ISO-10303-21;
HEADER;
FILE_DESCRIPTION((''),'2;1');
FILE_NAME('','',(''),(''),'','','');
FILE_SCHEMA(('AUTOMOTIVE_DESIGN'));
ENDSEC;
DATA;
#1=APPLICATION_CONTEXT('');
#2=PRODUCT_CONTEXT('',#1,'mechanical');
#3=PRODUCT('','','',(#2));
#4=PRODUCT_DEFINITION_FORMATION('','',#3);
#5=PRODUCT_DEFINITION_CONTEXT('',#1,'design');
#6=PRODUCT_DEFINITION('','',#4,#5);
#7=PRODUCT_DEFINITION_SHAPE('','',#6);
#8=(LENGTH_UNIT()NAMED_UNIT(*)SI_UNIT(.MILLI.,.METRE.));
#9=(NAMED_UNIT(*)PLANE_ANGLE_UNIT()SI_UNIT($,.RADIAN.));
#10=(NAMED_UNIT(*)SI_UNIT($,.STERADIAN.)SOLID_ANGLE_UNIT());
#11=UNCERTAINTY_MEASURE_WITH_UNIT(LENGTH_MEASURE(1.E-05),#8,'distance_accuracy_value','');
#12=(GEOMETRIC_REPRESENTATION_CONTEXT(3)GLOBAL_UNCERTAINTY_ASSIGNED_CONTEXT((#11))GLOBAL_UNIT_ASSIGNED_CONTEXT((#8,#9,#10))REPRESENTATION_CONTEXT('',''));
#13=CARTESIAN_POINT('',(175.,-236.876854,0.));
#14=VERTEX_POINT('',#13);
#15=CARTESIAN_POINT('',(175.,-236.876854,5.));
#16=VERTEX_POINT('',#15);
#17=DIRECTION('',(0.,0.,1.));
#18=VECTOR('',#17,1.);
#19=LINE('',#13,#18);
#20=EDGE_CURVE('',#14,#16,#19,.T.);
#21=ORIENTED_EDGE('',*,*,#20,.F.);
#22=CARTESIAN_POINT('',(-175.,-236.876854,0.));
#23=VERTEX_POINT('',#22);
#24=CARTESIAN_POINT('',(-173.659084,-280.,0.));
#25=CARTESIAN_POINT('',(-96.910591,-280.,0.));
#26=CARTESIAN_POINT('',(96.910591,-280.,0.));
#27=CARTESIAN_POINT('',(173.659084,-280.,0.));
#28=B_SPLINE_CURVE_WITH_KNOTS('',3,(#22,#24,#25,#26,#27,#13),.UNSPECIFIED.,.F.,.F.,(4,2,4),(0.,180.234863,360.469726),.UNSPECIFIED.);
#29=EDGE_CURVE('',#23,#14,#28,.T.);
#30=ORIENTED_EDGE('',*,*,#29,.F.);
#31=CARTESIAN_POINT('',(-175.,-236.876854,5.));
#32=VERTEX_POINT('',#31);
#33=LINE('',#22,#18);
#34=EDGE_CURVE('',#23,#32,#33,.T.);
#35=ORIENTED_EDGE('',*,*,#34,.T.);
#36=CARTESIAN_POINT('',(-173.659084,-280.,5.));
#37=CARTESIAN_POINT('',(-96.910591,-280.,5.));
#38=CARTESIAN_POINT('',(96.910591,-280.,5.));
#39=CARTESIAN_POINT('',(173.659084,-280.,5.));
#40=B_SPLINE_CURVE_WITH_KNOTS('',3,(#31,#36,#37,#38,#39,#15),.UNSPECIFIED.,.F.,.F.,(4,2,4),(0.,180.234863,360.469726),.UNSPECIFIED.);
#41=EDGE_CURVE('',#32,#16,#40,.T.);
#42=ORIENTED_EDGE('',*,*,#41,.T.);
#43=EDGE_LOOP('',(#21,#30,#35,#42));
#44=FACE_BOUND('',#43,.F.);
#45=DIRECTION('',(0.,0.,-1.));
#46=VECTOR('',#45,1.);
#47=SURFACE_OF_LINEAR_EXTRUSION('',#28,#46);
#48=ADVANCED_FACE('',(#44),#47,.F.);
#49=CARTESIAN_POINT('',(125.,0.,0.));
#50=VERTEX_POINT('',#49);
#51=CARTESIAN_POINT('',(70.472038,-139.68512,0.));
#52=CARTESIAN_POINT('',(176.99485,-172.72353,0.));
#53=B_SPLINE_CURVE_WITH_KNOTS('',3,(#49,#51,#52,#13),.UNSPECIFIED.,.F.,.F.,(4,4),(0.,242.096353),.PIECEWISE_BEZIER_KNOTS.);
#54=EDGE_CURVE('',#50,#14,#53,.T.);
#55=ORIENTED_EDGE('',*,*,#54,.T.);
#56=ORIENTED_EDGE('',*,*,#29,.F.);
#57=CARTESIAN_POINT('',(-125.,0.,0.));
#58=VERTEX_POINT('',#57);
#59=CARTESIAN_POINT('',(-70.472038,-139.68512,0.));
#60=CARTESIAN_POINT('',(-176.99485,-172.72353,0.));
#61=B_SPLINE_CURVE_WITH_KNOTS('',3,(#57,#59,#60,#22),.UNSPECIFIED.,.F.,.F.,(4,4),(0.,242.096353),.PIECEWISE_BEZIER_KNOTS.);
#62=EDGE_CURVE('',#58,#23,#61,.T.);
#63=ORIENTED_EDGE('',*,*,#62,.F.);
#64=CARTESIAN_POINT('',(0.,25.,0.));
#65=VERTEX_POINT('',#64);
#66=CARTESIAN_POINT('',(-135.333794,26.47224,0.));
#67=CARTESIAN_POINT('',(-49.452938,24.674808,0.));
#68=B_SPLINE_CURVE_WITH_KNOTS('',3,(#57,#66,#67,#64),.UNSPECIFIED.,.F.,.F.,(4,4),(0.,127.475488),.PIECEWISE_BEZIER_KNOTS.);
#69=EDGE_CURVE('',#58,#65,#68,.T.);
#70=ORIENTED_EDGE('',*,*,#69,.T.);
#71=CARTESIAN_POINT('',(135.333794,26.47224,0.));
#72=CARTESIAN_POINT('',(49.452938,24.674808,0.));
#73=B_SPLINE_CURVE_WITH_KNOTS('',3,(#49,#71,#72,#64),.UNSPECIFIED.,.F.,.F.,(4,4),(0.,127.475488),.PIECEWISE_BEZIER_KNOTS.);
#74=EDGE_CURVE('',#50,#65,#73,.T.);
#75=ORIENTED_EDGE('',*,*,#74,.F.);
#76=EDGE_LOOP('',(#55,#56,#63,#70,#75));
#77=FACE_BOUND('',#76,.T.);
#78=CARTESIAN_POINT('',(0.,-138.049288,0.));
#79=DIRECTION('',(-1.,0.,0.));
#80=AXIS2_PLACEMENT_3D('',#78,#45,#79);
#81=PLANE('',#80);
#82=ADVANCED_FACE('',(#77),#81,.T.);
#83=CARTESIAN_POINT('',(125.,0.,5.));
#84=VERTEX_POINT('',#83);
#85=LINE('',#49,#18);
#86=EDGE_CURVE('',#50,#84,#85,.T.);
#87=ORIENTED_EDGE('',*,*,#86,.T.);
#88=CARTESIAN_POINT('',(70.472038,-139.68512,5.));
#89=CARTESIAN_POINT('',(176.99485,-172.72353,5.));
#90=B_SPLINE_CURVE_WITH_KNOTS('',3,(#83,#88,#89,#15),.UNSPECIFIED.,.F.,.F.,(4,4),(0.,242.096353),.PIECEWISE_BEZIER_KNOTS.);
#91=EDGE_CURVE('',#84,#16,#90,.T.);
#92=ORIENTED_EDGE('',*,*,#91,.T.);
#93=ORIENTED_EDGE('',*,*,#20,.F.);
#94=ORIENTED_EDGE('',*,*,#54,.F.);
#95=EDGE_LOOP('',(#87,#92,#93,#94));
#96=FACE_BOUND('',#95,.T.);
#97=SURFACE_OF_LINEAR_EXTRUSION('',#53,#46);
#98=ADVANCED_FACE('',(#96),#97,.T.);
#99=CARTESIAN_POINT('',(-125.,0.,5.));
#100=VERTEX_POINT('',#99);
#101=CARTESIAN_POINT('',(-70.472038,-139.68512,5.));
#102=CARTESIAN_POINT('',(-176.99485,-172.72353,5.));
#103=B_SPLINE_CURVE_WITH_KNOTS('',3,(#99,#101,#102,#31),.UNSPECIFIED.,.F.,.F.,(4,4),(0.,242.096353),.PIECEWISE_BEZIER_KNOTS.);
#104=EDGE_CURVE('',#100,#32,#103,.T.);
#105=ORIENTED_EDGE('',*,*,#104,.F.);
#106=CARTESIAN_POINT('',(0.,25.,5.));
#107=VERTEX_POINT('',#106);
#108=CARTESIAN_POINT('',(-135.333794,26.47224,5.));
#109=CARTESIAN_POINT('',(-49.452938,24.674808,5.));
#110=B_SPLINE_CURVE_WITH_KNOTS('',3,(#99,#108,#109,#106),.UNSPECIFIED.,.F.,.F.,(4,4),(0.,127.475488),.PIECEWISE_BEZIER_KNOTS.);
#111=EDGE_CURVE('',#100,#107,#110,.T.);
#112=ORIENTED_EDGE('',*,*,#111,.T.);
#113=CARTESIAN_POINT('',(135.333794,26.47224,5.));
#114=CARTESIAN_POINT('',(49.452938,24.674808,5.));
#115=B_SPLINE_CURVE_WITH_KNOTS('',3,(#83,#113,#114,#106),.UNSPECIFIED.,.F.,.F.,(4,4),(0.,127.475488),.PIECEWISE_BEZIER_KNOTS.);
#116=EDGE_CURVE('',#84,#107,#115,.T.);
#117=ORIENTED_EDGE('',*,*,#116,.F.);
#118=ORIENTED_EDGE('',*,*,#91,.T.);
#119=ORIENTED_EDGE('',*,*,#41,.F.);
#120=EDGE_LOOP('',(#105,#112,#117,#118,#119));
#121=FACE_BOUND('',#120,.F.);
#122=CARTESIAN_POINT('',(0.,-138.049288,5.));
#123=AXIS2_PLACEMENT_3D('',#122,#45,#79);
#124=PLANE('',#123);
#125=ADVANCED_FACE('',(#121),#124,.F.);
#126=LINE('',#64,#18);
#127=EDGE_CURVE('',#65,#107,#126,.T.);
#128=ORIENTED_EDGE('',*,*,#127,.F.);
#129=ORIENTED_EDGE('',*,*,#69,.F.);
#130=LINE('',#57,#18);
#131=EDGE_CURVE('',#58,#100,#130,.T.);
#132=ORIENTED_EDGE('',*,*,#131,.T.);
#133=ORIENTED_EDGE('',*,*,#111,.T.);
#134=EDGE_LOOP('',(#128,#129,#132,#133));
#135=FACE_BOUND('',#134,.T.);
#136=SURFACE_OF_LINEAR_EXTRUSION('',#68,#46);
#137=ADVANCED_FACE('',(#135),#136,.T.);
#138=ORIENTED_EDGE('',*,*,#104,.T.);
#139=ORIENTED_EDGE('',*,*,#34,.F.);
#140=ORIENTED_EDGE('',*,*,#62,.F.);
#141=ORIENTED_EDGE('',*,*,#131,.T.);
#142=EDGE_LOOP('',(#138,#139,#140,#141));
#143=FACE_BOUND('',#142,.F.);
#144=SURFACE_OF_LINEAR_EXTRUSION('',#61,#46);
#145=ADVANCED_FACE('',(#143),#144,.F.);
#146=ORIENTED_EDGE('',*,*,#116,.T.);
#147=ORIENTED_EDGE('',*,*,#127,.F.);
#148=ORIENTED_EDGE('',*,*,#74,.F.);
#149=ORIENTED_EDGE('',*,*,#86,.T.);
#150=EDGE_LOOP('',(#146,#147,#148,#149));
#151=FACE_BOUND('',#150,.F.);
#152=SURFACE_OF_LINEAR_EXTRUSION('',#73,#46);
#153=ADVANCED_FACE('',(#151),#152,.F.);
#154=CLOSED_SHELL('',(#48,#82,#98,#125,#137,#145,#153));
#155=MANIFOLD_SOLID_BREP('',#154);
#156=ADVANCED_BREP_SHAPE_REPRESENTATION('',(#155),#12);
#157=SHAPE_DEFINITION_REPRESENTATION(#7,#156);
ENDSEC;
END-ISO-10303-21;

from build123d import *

# Parameters (mm, degrees)
F1_DEPTH = 5


with BuildPart() as f1:
    # F0 (on Top) → F1 (new body)
    with BuildSketch(Plane.XY):
        with BuildLine():
            add(Edge.make_bspline(
                [(-125, 0), (-135.333794, 26.47224), (-49.452938, 24.674808), (0, 25)],
                knots=[0, 0, 0, 0, 127.475488, 127.475488, 127.475488, 127.475488], degree=3))
            add(Edge.make_bspline(
                [(-125, 0), (-70.472038, -139.68512), (-176.99485, -172.72353), (-175, -236.876854)],
                knots=[0, 0, 0, 0, 242.096353, 242.096353, 242.096353, 242.096353], degree=3))
            add(Edge.make_bspline(
                [(-175, -236.876854), (-173.659084, -280), (-96.910591, -280), (0, -280)],
                knots=[0, 0, 0, 0, 180.234863, 180.234863, 180.234863, 180.234863], degree=3))
            add(Edge.make_bspline(
                [(175, -236.876854), (173.659084, -280), (96.910591, -280), (0, -280)],
                knots=[0, 0, 0, 0, 180.234863, 180.234863, 180.234863, 180.234863], degree=3))
            add(Edge.make_bspline(
                [(125, 0), (70.472038, -139.68512), (176.99485, -172.72353), (175, -236.876854)],
                knots=[0, 0, 0, 0, 242.096353, 242.096353, 242.096353, 242.096353], degree=3))
            add(Edge.make_bspline(
                [(125, 0), (135.333794, 26.47224), (49.452938, 24.674808), (0, 25)],
                knots=[0, 0, 0, 0, 127.475488, 127.475488, 127.475488, 127.475488], degree=3))
        make_face()
    extrude(amount=F1_DEPTH)


solid = f1.part
